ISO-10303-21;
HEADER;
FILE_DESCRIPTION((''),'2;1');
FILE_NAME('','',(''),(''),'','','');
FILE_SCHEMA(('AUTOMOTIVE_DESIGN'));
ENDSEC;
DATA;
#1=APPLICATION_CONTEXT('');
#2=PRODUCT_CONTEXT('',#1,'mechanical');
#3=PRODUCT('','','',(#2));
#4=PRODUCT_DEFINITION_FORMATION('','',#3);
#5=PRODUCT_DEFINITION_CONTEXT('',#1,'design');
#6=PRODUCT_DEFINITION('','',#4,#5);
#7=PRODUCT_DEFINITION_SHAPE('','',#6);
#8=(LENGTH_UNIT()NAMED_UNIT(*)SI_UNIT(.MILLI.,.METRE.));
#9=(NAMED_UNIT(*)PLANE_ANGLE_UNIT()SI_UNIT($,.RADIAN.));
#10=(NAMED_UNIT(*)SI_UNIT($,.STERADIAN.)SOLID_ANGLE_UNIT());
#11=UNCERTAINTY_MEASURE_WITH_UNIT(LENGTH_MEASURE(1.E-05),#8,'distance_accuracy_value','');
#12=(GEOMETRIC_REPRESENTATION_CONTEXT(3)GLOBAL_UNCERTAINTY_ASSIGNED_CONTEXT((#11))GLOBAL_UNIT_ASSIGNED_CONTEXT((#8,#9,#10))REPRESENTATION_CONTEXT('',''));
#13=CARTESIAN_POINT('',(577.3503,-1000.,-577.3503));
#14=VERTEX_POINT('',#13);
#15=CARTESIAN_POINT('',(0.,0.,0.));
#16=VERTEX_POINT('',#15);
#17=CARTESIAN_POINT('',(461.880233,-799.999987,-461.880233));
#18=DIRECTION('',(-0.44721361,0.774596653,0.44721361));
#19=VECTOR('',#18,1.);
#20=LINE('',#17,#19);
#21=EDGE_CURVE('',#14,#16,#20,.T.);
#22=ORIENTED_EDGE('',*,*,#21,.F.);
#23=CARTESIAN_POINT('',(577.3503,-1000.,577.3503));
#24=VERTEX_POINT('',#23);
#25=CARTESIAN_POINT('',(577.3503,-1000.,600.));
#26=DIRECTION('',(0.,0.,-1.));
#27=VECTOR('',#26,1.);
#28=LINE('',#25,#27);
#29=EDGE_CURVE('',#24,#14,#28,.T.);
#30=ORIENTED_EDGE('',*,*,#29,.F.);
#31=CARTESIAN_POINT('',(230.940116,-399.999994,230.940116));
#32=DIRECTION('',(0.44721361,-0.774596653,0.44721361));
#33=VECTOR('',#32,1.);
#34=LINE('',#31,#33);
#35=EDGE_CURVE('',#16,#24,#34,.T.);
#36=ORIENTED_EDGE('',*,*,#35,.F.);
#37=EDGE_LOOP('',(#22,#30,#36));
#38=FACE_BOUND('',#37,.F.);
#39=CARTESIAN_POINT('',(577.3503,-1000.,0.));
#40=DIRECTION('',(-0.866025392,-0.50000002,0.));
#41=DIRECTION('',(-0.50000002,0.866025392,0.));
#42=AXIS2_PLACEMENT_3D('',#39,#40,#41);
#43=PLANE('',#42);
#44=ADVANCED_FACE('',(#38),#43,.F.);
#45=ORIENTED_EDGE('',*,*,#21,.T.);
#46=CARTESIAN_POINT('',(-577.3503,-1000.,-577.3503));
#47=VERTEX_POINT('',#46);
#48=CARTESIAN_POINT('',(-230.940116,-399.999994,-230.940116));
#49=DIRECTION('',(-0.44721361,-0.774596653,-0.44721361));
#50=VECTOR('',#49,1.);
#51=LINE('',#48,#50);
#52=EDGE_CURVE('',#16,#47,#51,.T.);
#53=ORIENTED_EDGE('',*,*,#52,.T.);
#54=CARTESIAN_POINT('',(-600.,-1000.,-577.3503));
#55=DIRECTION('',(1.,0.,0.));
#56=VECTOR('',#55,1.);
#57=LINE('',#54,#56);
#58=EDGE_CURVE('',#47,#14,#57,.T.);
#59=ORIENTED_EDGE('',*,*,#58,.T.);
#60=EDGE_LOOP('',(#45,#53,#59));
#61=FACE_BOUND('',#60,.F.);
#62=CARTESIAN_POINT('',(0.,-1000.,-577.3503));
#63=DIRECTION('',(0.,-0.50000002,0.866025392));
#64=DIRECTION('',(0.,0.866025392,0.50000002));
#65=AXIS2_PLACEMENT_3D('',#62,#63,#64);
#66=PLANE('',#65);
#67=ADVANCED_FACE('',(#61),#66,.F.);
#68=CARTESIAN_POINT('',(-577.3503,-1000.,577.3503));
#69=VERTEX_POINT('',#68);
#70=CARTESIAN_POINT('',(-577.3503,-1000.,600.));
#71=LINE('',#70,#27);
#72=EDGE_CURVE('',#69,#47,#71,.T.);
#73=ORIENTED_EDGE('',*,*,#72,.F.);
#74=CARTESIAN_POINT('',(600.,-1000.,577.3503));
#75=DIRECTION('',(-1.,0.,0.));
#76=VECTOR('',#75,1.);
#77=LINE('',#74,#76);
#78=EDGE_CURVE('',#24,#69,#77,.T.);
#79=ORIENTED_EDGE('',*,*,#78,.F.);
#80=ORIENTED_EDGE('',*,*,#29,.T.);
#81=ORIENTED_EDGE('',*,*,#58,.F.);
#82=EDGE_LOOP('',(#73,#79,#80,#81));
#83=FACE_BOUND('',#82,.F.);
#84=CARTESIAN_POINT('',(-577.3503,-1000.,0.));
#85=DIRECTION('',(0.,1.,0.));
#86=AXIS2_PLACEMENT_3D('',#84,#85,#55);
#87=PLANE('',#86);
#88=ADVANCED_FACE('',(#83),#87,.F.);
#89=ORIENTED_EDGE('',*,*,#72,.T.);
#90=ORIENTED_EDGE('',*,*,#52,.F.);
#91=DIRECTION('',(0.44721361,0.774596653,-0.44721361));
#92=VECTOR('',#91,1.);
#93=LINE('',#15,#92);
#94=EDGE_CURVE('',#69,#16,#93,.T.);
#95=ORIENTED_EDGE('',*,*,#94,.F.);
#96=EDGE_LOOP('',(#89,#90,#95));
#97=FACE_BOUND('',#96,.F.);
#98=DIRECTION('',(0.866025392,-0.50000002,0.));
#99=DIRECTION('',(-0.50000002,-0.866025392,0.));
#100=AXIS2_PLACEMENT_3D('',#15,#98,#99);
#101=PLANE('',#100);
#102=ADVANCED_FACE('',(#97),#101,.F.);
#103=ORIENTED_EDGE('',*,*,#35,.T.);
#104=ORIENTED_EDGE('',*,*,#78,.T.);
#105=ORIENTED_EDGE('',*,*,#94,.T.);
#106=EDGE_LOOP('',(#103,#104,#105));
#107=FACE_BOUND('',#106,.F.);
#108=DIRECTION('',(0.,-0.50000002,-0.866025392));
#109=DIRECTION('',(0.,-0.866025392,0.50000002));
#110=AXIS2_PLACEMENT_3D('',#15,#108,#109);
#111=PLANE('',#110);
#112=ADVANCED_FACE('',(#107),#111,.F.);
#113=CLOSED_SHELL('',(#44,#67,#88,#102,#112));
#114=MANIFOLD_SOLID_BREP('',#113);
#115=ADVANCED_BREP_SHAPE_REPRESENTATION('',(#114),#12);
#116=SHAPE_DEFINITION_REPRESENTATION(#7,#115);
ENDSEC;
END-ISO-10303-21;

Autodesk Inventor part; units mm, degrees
ref_plane "YZ Plane" through (0, 0, 0) normal (1, 0, 0) x (0, 1, 0)
ref_plane "XZ Plane" through (0, 0, 0) normal (0, 1, 0) x (-1, 0, 0)
sketch "Sketch1" plane through (0, 0, 0) normal (0, 0, 1) x (1, 0, 0)
  line L0 (0, 200) -> (0, -1200) construction
  line L1 (-808.2904, 0) -> (808.2904, 0) construction
  line L2 (0, 0) -> (-577.3503, -1000)
  line L3 (-577.3503, -1000) -> (577.3503, -1000)
  line L4 (577.3503, -1000) -> (0, 0)
  point P0 (0, -1000)
  dimension "d0" = 60
  dimension "d1" = 1000
sketch "Sketch2" plane through (0, 0, 0) normal (1, 0, 0) x (0, 1, 0)
  line L0 (0, 0) -> (-1000, 577.3503)
  line L1 (-1000, 577.3503) -> (-1000, -577.3503)
  line L2 (-1000, -577.3503) -> (0, 0)
  line L3 (0, 677.3503) -> (-1000, 677.3503)
  line L4 (-1000, 677.3503) -> (-1000, -677.3503)
  line L5 (-1000, -677.3503) -> (0, -677.3503)
  line L6 (0, -677.3503) -> (0, 677.3503)
  point P0 (-1000, 0)
  point P1 (-1000, 0)
  point P2 (-1000, 0)
  point P3 (-1000, 0)
  dimension "d2" = 60
  dimension "d4" = 100
extrude "Extrusion1" add sketch "Sketch1" along normal mid plane 1200
extrude "Extrusion2" cut sketch "Sketch2" along normal mid plane 1200 contours L6 L5 L4 L2 | L0 L4 L3 L6
ref_plane "Work Plane1" through (0, 0, 0) normal (0, -0.5, 0.866) x (1, 0, 0)
sketch "Sketch3" plane through (0, 0, 0) normal (0, -0.5, 0.866) x (1, 0, 0)
  point P0 (0, 0)
properties part number "vl53l7cx-FOV" material "Glass"
